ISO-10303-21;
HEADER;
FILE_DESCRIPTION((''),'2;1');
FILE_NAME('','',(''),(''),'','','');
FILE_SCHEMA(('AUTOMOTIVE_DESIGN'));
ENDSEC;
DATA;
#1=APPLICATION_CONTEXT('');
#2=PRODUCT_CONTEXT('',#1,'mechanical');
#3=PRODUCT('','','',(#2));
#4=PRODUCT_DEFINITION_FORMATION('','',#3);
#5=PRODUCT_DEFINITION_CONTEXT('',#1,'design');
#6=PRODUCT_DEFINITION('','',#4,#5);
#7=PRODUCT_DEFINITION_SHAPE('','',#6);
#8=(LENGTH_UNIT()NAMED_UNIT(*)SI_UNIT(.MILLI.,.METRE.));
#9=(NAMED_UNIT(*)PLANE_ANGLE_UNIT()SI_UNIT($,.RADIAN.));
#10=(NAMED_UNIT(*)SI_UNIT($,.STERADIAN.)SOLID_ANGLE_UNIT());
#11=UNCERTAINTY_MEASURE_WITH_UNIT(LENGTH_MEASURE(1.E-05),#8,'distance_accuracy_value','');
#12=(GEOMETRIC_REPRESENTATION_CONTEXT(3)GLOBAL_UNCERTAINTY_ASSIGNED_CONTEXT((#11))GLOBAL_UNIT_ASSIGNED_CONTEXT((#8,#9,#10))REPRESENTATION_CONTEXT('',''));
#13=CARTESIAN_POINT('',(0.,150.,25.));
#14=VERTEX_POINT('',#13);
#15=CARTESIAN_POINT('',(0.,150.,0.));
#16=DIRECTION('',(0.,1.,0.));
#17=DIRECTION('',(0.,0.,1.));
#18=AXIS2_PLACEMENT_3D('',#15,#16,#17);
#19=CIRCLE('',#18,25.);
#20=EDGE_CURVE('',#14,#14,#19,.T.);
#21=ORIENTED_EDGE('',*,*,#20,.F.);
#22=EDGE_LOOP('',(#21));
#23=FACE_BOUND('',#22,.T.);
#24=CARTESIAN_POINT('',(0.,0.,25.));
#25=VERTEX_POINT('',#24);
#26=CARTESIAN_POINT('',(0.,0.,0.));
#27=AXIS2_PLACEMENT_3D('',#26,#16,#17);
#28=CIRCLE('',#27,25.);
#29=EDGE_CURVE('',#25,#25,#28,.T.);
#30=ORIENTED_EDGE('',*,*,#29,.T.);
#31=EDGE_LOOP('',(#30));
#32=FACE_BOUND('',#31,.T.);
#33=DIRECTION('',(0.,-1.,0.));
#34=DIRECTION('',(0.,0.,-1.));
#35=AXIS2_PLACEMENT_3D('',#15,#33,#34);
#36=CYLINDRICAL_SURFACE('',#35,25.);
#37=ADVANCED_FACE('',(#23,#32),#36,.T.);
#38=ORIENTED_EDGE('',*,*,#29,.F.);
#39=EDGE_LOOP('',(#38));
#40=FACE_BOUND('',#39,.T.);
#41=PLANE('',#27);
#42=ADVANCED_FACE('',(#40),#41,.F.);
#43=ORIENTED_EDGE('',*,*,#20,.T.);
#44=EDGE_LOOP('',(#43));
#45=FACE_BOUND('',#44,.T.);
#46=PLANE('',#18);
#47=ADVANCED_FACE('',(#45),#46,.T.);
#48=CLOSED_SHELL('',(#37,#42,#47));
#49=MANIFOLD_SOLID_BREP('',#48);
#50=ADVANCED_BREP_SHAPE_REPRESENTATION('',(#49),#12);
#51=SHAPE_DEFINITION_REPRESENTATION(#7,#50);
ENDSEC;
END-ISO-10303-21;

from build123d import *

# Parameters (mm, degrees)
SKETCH1_R           = 25
BOSS_EXTRUDE1_DEPTH = 150


with BuildPart() as part:
    # Sketch1 → Boss-Extrude1 (new body)
    with BuildSketch(Plane(origin=(0, 0, 0), x_dir=(1, 0, 0), z_dir=(0, 1, 0))):
        with Locations(Location((0, 0, 0), (0, 0, 270))):
            Circle(SKETCH1_R)
    extrude(amount=BOSS_EXTRUDE1_DEPTH)


solid = part.part
